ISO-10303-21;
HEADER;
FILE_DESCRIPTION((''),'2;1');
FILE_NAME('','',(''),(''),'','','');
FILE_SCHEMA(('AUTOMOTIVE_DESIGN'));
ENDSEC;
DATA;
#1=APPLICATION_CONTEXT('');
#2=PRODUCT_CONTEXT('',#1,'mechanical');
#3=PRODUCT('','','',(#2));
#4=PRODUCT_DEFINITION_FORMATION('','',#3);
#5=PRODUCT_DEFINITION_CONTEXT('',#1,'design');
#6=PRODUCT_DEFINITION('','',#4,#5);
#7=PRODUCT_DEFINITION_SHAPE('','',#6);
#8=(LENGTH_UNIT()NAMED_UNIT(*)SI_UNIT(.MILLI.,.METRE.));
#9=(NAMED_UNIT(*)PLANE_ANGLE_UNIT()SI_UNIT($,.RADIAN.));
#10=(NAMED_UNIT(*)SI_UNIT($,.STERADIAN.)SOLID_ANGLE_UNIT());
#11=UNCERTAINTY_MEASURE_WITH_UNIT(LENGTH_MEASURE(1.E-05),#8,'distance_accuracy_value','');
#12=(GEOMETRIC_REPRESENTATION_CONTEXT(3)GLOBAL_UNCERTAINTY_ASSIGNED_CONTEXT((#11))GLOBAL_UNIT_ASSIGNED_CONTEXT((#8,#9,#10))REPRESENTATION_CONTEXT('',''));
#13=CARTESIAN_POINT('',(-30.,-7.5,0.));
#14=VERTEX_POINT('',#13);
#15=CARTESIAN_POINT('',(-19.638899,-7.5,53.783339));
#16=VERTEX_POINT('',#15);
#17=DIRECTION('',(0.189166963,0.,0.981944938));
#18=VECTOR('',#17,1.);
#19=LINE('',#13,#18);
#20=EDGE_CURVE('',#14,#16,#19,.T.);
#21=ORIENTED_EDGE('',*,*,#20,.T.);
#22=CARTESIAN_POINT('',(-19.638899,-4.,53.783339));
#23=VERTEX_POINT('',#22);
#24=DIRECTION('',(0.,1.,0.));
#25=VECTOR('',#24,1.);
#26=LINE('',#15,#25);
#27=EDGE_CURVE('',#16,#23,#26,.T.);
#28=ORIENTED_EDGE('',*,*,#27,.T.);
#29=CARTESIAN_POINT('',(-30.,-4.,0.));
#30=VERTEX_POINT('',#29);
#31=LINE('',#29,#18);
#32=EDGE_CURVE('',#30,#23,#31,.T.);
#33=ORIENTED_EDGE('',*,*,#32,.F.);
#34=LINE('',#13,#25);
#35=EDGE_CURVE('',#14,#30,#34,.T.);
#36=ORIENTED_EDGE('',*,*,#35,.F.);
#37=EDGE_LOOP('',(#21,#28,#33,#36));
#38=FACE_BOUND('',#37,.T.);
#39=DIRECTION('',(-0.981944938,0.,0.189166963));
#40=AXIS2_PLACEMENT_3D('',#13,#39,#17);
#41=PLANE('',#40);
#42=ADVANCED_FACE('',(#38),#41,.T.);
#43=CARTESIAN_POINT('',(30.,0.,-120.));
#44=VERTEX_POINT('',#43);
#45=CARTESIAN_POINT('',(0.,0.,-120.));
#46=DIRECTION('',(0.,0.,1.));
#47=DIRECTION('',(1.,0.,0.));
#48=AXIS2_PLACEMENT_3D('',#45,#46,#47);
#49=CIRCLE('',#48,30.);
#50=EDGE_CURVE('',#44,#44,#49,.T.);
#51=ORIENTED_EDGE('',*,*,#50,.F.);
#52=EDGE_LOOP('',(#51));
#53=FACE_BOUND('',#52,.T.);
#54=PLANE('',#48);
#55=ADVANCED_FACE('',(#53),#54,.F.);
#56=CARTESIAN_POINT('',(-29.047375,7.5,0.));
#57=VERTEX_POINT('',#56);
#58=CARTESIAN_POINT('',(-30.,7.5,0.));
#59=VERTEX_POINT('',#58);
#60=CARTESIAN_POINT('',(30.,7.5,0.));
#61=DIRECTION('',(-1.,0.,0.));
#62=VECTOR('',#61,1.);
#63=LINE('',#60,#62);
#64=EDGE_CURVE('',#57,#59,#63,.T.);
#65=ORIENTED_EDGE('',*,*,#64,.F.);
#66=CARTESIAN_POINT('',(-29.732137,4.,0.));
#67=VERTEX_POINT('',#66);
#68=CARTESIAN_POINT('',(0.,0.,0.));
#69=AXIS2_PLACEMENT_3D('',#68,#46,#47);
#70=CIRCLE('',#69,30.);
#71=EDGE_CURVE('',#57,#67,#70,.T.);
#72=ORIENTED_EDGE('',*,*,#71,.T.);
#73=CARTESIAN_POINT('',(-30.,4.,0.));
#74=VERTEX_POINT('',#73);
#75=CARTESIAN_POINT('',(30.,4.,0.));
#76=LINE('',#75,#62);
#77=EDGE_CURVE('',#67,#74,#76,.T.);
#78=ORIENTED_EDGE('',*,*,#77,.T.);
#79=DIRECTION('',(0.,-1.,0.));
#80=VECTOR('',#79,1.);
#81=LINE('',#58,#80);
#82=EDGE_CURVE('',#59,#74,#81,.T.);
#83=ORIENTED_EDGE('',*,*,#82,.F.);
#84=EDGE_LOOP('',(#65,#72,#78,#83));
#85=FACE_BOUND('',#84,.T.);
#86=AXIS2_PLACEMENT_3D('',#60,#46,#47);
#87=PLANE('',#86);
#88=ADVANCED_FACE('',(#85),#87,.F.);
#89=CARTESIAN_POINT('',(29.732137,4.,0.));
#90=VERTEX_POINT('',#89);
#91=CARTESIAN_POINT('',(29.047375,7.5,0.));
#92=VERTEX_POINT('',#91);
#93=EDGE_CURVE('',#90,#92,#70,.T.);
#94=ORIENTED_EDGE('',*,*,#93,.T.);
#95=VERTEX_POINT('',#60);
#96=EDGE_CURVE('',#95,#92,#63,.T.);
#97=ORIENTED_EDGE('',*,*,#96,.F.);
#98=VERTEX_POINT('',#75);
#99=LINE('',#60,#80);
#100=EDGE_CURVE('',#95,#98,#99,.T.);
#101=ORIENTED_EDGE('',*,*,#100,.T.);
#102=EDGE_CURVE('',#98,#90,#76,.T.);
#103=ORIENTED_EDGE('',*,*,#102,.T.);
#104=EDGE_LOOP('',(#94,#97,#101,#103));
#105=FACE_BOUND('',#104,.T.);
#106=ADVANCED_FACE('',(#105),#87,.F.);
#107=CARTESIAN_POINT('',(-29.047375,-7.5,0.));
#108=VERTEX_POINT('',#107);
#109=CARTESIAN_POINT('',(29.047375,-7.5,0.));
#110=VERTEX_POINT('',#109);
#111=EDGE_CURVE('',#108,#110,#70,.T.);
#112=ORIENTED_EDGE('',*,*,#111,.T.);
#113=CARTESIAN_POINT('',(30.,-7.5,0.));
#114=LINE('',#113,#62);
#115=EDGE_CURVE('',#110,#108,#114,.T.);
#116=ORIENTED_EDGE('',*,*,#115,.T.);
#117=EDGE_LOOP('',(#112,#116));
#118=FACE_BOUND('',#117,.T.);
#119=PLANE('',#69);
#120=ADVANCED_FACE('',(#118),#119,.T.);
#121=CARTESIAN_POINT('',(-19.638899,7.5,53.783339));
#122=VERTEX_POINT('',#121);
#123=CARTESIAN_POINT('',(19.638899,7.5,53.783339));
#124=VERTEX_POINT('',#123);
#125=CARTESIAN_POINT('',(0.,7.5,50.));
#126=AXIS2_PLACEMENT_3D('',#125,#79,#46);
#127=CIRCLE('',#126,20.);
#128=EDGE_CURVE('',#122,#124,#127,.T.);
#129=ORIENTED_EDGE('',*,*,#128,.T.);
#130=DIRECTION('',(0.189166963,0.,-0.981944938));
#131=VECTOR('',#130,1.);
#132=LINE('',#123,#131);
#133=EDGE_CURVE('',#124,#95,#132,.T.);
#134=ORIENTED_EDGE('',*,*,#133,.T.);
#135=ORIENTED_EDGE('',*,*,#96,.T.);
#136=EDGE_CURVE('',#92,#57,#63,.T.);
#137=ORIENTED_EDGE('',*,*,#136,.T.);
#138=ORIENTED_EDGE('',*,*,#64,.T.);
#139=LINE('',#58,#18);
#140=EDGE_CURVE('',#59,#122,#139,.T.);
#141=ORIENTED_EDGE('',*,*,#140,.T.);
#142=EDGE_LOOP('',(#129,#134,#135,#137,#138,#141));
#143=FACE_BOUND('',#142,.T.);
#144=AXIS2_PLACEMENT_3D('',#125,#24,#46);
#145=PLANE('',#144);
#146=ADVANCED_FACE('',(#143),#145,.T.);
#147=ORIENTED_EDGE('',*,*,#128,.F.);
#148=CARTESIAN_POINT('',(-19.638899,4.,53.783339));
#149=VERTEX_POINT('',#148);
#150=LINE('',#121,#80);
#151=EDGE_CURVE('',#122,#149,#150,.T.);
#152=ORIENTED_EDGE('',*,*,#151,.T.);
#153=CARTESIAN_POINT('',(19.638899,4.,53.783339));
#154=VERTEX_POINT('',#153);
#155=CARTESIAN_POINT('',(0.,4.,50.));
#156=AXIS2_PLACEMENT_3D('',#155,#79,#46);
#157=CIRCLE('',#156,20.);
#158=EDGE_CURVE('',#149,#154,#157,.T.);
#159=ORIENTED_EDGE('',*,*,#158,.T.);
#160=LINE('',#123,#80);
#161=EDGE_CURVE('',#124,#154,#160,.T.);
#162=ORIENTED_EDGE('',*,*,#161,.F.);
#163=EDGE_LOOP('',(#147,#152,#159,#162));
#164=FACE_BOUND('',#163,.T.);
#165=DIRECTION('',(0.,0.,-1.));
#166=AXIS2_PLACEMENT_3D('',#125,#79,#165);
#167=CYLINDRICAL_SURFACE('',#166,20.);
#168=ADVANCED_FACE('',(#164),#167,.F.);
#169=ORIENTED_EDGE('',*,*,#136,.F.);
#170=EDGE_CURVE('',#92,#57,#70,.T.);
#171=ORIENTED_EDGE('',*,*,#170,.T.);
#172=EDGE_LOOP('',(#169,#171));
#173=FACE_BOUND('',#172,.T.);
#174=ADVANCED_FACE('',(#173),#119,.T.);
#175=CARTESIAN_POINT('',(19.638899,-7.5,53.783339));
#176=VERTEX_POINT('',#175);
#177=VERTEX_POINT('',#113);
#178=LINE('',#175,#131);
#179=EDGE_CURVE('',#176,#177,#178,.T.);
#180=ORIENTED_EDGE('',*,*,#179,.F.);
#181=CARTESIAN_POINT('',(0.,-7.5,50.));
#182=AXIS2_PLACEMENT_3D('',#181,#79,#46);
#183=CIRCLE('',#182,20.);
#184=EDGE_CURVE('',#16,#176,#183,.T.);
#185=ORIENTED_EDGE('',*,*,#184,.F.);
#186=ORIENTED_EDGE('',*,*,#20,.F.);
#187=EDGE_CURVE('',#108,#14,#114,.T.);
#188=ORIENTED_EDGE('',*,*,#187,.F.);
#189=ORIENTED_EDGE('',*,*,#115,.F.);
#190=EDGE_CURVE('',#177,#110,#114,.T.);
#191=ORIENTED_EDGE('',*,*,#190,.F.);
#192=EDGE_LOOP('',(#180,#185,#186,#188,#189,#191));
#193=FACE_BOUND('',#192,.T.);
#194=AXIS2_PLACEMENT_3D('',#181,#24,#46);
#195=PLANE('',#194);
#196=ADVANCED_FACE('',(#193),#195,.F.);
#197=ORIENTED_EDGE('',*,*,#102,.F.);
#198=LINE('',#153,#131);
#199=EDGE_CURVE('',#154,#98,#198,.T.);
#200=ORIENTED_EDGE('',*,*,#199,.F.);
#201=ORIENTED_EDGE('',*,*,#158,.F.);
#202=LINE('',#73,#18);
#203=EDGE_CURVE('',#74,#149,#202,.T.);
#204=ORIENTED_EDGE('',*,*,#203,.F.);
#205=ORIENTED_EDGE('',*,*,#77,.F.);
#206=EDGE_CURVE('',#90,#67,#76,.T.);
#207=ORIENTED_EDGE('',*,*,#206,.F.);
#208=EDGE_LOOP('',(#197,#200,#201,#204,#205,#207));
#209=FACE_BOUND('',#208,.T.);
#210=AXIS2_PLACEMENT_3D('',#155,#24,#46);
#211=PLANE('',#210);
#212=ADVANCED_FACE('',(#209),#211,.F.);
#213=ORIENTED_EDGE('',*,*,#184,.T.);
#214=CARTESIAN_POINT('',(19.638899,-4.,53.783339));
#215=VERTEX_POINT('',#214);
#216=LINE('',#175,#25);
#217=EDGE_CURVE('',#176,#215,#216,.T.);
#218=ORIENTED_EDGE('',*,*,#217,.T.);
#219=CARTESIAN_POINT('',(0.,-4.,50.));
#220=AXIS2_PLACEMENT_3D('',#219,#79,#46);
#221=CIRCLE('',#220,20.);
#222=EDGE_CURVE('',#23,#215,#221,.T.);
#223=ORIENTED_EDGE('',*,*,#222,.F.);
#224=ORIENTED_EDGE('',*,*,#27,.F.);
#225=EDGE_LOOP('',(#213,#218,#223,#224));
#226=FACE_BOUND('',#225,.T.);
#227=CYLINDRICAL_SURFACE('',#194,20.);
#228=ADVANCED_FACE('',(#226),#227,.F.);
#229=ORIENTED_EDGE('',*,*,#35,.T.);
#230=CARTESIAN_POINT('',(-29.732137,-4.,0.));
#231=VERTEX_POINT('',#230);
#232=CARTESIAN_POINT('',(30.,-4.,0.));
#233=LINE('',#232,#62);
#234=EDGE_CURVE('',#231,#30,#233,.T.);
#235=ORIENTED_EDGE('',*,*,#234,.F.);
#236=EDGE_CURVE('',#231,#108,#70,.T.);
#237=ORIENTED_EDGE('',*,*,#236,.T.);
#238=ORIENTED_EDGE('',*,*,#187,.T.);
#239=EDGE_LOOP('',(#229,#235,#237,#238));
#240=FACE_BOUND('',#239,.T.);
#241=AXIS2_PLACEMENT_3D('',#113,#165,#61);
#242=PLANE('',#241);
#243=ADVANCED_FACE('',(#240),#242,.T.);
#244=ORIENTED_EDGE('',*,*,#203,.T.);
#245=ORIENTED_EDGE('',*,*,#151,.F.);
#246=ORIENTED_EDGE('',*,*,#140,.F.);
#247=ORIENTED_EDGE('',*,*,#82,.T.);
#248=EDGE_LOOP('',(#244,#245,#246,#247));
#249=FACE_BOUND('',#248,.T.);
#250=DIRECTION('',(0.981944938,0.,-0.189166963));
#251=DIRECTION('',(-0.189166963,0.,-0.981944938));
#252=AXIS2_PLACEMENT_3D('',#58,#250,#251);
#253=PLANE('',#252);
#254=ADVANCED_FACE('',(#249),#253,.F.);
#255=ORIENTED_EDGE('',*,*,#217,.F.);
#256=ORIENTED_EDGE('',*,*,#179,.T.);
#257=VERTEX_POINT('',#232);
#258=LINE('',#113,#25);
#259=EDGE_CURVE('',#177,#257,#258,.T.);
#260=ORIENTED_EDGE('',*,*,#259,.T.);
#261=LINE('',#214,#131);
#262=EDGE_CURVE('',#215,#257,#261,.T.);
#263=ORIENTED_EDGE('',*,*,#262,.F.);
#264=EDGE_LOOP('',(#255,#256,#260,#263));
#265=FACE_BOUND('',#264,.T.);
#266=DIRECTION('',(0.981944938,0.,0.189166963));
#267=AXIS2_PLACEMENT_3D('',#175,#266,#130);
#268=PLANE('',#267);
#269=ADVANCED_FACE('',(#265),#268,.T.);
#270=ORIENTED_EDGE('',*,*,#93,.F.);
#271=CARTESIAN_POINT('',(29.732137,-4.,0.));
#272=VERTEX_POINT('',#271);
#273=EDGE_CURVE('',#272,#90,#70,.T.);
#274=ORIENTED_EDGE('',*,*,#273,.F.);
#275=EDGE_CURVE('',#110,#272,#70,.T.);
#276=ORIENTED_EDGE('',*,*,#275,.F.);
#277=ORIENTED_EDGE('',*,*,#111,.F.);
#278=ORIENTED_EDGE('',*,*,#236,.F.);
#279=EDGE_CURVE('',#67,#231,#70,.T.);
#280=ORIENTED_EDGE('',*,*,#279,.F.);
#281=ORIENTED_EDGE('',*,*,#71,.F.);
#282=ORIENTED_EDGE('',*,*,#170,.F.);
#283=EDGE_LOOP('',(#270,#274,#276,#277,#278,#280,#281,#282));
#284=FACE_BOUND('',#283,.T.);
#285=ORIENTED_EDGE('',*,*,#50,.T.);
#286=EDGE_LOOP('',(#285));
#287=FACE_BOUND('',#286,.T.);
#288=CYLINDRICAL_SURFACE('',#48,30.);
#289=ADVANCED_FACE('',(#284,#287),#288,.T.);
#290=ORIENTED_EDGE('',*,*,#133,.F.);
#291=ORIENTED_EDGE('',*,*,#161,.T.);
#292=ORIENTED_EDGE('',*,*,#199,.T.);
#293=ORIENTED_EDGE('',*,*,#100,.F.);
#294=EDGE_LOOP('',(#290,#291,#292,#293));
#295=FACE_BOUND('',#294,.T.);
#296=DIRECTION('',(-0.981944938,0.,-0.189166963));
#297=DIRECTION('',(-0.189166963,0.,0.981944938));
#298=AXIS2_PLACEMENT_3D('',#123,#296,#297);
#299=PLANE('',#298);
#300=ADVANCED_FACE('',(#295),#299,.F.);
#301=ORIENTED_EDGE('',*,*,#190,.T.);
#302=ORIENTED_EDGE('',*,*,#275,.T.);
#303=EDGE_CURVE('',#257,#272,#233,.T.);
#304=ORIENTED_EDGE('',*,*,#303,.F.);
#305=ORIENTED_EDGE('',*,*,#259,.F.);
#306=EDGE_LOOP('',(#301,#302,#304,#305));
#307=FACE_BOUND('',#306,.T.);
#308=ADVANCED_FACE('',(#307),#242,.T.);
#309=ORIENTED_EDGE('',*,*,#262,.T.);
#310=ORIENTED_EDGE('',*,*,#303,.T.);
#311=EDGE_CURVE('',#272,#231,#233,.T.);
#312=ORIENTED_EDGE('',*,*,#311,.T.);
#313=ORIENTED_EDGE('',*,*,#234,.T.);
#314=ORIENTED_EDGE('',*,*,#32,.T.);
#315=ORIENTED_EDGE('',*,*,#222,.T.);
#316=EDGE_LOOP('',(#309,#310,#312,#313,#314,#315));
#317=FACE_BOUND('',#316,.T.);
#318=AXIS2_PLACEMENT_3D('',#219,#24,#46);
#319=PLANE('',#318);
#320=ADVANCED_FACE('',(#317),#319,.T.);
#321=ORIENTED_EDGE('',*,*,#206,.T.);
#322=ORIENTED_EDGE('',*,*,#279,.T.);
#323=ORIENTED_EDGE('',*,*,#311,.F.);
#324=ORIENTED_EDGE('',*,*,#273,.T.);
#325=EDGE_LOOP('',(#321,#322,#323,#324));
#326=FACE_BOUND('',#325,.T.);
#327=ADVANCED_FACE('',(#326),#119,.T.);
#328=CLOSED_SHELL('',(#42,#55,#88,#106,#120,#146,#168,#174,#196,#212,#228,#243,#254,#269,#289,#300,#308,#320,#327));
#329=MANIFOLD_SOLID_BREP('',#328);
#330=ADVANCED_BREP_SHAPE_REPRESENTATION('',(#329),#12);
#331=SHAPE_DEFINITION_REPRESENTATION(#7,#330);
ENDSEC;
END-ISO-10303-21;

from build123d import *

# Parameters (mm, degrees)
POLE_SKETCH_R                   = 30
POLE_EXTRUDE_DEPTH              = 120
UPPER_START                     = 4
UPPER_PALM_HOLDER_EXTRUDE_DEPTH = 3.5
LOWER_START                     = -7.5
LOWER_PALM_HOLDER_EXTRUDE_DEPTH = 3.5


with BuildPart() as part:
    # Pole Sketch → Pole Extrude (new body)
    with BuildSketch(Plane.XY):
        Circle(POLE_SKETCH_R)
    extrude(amount=-POLE_EXTRUDE_DEPTH)

    # Palm Holder Sketch → Upper Palm Holder Extrude (add)
    with BuildSketch(Plane(origin=(0, 0, 0), x_dir=(1, 0, 0), z_dir=(0, 1, 0)).offset(UPPER_START)):
        with BuildLine():
            Line((19.63889875, -53.78333925), (30, 0))
            Line((30, 0), (-30, 0))
            Line((-30, 0), (-19.63889875, -53.78333925))
            ThreePointArc((-19.63889875, -53.78333925), (0, -30), (19.63889875, -53.78333925))
        make_face()
    extrude(amount=UPPER_PALM_HOLDER_EXTRUDE_DEPTH)

    # Palm Holder Sketch<2> → Lower Palm Holder Extrude (add)
    with BuildSketch(Plane(origin=(0, 0, 0), x_dir=(1, 0, 0), z_dir=(0, 1, 0)).offset(LOWER_START)):
        with BuildLine():
            Line((19.63889875, -53.78333925), (30, 0))
            Line((30, 0), (-30, 0))
            Line((-30, 0), (-19.63889875, -53.78333925))
            ThreePointArc((-19.63889875, -53.78333925), (0, -30), (19.63889875, -53.78333925))
        make_face()
    extrude(amount=LOWER_PALM_HOLDER_EXTRUDE_DEPTH)


solid = part.part
